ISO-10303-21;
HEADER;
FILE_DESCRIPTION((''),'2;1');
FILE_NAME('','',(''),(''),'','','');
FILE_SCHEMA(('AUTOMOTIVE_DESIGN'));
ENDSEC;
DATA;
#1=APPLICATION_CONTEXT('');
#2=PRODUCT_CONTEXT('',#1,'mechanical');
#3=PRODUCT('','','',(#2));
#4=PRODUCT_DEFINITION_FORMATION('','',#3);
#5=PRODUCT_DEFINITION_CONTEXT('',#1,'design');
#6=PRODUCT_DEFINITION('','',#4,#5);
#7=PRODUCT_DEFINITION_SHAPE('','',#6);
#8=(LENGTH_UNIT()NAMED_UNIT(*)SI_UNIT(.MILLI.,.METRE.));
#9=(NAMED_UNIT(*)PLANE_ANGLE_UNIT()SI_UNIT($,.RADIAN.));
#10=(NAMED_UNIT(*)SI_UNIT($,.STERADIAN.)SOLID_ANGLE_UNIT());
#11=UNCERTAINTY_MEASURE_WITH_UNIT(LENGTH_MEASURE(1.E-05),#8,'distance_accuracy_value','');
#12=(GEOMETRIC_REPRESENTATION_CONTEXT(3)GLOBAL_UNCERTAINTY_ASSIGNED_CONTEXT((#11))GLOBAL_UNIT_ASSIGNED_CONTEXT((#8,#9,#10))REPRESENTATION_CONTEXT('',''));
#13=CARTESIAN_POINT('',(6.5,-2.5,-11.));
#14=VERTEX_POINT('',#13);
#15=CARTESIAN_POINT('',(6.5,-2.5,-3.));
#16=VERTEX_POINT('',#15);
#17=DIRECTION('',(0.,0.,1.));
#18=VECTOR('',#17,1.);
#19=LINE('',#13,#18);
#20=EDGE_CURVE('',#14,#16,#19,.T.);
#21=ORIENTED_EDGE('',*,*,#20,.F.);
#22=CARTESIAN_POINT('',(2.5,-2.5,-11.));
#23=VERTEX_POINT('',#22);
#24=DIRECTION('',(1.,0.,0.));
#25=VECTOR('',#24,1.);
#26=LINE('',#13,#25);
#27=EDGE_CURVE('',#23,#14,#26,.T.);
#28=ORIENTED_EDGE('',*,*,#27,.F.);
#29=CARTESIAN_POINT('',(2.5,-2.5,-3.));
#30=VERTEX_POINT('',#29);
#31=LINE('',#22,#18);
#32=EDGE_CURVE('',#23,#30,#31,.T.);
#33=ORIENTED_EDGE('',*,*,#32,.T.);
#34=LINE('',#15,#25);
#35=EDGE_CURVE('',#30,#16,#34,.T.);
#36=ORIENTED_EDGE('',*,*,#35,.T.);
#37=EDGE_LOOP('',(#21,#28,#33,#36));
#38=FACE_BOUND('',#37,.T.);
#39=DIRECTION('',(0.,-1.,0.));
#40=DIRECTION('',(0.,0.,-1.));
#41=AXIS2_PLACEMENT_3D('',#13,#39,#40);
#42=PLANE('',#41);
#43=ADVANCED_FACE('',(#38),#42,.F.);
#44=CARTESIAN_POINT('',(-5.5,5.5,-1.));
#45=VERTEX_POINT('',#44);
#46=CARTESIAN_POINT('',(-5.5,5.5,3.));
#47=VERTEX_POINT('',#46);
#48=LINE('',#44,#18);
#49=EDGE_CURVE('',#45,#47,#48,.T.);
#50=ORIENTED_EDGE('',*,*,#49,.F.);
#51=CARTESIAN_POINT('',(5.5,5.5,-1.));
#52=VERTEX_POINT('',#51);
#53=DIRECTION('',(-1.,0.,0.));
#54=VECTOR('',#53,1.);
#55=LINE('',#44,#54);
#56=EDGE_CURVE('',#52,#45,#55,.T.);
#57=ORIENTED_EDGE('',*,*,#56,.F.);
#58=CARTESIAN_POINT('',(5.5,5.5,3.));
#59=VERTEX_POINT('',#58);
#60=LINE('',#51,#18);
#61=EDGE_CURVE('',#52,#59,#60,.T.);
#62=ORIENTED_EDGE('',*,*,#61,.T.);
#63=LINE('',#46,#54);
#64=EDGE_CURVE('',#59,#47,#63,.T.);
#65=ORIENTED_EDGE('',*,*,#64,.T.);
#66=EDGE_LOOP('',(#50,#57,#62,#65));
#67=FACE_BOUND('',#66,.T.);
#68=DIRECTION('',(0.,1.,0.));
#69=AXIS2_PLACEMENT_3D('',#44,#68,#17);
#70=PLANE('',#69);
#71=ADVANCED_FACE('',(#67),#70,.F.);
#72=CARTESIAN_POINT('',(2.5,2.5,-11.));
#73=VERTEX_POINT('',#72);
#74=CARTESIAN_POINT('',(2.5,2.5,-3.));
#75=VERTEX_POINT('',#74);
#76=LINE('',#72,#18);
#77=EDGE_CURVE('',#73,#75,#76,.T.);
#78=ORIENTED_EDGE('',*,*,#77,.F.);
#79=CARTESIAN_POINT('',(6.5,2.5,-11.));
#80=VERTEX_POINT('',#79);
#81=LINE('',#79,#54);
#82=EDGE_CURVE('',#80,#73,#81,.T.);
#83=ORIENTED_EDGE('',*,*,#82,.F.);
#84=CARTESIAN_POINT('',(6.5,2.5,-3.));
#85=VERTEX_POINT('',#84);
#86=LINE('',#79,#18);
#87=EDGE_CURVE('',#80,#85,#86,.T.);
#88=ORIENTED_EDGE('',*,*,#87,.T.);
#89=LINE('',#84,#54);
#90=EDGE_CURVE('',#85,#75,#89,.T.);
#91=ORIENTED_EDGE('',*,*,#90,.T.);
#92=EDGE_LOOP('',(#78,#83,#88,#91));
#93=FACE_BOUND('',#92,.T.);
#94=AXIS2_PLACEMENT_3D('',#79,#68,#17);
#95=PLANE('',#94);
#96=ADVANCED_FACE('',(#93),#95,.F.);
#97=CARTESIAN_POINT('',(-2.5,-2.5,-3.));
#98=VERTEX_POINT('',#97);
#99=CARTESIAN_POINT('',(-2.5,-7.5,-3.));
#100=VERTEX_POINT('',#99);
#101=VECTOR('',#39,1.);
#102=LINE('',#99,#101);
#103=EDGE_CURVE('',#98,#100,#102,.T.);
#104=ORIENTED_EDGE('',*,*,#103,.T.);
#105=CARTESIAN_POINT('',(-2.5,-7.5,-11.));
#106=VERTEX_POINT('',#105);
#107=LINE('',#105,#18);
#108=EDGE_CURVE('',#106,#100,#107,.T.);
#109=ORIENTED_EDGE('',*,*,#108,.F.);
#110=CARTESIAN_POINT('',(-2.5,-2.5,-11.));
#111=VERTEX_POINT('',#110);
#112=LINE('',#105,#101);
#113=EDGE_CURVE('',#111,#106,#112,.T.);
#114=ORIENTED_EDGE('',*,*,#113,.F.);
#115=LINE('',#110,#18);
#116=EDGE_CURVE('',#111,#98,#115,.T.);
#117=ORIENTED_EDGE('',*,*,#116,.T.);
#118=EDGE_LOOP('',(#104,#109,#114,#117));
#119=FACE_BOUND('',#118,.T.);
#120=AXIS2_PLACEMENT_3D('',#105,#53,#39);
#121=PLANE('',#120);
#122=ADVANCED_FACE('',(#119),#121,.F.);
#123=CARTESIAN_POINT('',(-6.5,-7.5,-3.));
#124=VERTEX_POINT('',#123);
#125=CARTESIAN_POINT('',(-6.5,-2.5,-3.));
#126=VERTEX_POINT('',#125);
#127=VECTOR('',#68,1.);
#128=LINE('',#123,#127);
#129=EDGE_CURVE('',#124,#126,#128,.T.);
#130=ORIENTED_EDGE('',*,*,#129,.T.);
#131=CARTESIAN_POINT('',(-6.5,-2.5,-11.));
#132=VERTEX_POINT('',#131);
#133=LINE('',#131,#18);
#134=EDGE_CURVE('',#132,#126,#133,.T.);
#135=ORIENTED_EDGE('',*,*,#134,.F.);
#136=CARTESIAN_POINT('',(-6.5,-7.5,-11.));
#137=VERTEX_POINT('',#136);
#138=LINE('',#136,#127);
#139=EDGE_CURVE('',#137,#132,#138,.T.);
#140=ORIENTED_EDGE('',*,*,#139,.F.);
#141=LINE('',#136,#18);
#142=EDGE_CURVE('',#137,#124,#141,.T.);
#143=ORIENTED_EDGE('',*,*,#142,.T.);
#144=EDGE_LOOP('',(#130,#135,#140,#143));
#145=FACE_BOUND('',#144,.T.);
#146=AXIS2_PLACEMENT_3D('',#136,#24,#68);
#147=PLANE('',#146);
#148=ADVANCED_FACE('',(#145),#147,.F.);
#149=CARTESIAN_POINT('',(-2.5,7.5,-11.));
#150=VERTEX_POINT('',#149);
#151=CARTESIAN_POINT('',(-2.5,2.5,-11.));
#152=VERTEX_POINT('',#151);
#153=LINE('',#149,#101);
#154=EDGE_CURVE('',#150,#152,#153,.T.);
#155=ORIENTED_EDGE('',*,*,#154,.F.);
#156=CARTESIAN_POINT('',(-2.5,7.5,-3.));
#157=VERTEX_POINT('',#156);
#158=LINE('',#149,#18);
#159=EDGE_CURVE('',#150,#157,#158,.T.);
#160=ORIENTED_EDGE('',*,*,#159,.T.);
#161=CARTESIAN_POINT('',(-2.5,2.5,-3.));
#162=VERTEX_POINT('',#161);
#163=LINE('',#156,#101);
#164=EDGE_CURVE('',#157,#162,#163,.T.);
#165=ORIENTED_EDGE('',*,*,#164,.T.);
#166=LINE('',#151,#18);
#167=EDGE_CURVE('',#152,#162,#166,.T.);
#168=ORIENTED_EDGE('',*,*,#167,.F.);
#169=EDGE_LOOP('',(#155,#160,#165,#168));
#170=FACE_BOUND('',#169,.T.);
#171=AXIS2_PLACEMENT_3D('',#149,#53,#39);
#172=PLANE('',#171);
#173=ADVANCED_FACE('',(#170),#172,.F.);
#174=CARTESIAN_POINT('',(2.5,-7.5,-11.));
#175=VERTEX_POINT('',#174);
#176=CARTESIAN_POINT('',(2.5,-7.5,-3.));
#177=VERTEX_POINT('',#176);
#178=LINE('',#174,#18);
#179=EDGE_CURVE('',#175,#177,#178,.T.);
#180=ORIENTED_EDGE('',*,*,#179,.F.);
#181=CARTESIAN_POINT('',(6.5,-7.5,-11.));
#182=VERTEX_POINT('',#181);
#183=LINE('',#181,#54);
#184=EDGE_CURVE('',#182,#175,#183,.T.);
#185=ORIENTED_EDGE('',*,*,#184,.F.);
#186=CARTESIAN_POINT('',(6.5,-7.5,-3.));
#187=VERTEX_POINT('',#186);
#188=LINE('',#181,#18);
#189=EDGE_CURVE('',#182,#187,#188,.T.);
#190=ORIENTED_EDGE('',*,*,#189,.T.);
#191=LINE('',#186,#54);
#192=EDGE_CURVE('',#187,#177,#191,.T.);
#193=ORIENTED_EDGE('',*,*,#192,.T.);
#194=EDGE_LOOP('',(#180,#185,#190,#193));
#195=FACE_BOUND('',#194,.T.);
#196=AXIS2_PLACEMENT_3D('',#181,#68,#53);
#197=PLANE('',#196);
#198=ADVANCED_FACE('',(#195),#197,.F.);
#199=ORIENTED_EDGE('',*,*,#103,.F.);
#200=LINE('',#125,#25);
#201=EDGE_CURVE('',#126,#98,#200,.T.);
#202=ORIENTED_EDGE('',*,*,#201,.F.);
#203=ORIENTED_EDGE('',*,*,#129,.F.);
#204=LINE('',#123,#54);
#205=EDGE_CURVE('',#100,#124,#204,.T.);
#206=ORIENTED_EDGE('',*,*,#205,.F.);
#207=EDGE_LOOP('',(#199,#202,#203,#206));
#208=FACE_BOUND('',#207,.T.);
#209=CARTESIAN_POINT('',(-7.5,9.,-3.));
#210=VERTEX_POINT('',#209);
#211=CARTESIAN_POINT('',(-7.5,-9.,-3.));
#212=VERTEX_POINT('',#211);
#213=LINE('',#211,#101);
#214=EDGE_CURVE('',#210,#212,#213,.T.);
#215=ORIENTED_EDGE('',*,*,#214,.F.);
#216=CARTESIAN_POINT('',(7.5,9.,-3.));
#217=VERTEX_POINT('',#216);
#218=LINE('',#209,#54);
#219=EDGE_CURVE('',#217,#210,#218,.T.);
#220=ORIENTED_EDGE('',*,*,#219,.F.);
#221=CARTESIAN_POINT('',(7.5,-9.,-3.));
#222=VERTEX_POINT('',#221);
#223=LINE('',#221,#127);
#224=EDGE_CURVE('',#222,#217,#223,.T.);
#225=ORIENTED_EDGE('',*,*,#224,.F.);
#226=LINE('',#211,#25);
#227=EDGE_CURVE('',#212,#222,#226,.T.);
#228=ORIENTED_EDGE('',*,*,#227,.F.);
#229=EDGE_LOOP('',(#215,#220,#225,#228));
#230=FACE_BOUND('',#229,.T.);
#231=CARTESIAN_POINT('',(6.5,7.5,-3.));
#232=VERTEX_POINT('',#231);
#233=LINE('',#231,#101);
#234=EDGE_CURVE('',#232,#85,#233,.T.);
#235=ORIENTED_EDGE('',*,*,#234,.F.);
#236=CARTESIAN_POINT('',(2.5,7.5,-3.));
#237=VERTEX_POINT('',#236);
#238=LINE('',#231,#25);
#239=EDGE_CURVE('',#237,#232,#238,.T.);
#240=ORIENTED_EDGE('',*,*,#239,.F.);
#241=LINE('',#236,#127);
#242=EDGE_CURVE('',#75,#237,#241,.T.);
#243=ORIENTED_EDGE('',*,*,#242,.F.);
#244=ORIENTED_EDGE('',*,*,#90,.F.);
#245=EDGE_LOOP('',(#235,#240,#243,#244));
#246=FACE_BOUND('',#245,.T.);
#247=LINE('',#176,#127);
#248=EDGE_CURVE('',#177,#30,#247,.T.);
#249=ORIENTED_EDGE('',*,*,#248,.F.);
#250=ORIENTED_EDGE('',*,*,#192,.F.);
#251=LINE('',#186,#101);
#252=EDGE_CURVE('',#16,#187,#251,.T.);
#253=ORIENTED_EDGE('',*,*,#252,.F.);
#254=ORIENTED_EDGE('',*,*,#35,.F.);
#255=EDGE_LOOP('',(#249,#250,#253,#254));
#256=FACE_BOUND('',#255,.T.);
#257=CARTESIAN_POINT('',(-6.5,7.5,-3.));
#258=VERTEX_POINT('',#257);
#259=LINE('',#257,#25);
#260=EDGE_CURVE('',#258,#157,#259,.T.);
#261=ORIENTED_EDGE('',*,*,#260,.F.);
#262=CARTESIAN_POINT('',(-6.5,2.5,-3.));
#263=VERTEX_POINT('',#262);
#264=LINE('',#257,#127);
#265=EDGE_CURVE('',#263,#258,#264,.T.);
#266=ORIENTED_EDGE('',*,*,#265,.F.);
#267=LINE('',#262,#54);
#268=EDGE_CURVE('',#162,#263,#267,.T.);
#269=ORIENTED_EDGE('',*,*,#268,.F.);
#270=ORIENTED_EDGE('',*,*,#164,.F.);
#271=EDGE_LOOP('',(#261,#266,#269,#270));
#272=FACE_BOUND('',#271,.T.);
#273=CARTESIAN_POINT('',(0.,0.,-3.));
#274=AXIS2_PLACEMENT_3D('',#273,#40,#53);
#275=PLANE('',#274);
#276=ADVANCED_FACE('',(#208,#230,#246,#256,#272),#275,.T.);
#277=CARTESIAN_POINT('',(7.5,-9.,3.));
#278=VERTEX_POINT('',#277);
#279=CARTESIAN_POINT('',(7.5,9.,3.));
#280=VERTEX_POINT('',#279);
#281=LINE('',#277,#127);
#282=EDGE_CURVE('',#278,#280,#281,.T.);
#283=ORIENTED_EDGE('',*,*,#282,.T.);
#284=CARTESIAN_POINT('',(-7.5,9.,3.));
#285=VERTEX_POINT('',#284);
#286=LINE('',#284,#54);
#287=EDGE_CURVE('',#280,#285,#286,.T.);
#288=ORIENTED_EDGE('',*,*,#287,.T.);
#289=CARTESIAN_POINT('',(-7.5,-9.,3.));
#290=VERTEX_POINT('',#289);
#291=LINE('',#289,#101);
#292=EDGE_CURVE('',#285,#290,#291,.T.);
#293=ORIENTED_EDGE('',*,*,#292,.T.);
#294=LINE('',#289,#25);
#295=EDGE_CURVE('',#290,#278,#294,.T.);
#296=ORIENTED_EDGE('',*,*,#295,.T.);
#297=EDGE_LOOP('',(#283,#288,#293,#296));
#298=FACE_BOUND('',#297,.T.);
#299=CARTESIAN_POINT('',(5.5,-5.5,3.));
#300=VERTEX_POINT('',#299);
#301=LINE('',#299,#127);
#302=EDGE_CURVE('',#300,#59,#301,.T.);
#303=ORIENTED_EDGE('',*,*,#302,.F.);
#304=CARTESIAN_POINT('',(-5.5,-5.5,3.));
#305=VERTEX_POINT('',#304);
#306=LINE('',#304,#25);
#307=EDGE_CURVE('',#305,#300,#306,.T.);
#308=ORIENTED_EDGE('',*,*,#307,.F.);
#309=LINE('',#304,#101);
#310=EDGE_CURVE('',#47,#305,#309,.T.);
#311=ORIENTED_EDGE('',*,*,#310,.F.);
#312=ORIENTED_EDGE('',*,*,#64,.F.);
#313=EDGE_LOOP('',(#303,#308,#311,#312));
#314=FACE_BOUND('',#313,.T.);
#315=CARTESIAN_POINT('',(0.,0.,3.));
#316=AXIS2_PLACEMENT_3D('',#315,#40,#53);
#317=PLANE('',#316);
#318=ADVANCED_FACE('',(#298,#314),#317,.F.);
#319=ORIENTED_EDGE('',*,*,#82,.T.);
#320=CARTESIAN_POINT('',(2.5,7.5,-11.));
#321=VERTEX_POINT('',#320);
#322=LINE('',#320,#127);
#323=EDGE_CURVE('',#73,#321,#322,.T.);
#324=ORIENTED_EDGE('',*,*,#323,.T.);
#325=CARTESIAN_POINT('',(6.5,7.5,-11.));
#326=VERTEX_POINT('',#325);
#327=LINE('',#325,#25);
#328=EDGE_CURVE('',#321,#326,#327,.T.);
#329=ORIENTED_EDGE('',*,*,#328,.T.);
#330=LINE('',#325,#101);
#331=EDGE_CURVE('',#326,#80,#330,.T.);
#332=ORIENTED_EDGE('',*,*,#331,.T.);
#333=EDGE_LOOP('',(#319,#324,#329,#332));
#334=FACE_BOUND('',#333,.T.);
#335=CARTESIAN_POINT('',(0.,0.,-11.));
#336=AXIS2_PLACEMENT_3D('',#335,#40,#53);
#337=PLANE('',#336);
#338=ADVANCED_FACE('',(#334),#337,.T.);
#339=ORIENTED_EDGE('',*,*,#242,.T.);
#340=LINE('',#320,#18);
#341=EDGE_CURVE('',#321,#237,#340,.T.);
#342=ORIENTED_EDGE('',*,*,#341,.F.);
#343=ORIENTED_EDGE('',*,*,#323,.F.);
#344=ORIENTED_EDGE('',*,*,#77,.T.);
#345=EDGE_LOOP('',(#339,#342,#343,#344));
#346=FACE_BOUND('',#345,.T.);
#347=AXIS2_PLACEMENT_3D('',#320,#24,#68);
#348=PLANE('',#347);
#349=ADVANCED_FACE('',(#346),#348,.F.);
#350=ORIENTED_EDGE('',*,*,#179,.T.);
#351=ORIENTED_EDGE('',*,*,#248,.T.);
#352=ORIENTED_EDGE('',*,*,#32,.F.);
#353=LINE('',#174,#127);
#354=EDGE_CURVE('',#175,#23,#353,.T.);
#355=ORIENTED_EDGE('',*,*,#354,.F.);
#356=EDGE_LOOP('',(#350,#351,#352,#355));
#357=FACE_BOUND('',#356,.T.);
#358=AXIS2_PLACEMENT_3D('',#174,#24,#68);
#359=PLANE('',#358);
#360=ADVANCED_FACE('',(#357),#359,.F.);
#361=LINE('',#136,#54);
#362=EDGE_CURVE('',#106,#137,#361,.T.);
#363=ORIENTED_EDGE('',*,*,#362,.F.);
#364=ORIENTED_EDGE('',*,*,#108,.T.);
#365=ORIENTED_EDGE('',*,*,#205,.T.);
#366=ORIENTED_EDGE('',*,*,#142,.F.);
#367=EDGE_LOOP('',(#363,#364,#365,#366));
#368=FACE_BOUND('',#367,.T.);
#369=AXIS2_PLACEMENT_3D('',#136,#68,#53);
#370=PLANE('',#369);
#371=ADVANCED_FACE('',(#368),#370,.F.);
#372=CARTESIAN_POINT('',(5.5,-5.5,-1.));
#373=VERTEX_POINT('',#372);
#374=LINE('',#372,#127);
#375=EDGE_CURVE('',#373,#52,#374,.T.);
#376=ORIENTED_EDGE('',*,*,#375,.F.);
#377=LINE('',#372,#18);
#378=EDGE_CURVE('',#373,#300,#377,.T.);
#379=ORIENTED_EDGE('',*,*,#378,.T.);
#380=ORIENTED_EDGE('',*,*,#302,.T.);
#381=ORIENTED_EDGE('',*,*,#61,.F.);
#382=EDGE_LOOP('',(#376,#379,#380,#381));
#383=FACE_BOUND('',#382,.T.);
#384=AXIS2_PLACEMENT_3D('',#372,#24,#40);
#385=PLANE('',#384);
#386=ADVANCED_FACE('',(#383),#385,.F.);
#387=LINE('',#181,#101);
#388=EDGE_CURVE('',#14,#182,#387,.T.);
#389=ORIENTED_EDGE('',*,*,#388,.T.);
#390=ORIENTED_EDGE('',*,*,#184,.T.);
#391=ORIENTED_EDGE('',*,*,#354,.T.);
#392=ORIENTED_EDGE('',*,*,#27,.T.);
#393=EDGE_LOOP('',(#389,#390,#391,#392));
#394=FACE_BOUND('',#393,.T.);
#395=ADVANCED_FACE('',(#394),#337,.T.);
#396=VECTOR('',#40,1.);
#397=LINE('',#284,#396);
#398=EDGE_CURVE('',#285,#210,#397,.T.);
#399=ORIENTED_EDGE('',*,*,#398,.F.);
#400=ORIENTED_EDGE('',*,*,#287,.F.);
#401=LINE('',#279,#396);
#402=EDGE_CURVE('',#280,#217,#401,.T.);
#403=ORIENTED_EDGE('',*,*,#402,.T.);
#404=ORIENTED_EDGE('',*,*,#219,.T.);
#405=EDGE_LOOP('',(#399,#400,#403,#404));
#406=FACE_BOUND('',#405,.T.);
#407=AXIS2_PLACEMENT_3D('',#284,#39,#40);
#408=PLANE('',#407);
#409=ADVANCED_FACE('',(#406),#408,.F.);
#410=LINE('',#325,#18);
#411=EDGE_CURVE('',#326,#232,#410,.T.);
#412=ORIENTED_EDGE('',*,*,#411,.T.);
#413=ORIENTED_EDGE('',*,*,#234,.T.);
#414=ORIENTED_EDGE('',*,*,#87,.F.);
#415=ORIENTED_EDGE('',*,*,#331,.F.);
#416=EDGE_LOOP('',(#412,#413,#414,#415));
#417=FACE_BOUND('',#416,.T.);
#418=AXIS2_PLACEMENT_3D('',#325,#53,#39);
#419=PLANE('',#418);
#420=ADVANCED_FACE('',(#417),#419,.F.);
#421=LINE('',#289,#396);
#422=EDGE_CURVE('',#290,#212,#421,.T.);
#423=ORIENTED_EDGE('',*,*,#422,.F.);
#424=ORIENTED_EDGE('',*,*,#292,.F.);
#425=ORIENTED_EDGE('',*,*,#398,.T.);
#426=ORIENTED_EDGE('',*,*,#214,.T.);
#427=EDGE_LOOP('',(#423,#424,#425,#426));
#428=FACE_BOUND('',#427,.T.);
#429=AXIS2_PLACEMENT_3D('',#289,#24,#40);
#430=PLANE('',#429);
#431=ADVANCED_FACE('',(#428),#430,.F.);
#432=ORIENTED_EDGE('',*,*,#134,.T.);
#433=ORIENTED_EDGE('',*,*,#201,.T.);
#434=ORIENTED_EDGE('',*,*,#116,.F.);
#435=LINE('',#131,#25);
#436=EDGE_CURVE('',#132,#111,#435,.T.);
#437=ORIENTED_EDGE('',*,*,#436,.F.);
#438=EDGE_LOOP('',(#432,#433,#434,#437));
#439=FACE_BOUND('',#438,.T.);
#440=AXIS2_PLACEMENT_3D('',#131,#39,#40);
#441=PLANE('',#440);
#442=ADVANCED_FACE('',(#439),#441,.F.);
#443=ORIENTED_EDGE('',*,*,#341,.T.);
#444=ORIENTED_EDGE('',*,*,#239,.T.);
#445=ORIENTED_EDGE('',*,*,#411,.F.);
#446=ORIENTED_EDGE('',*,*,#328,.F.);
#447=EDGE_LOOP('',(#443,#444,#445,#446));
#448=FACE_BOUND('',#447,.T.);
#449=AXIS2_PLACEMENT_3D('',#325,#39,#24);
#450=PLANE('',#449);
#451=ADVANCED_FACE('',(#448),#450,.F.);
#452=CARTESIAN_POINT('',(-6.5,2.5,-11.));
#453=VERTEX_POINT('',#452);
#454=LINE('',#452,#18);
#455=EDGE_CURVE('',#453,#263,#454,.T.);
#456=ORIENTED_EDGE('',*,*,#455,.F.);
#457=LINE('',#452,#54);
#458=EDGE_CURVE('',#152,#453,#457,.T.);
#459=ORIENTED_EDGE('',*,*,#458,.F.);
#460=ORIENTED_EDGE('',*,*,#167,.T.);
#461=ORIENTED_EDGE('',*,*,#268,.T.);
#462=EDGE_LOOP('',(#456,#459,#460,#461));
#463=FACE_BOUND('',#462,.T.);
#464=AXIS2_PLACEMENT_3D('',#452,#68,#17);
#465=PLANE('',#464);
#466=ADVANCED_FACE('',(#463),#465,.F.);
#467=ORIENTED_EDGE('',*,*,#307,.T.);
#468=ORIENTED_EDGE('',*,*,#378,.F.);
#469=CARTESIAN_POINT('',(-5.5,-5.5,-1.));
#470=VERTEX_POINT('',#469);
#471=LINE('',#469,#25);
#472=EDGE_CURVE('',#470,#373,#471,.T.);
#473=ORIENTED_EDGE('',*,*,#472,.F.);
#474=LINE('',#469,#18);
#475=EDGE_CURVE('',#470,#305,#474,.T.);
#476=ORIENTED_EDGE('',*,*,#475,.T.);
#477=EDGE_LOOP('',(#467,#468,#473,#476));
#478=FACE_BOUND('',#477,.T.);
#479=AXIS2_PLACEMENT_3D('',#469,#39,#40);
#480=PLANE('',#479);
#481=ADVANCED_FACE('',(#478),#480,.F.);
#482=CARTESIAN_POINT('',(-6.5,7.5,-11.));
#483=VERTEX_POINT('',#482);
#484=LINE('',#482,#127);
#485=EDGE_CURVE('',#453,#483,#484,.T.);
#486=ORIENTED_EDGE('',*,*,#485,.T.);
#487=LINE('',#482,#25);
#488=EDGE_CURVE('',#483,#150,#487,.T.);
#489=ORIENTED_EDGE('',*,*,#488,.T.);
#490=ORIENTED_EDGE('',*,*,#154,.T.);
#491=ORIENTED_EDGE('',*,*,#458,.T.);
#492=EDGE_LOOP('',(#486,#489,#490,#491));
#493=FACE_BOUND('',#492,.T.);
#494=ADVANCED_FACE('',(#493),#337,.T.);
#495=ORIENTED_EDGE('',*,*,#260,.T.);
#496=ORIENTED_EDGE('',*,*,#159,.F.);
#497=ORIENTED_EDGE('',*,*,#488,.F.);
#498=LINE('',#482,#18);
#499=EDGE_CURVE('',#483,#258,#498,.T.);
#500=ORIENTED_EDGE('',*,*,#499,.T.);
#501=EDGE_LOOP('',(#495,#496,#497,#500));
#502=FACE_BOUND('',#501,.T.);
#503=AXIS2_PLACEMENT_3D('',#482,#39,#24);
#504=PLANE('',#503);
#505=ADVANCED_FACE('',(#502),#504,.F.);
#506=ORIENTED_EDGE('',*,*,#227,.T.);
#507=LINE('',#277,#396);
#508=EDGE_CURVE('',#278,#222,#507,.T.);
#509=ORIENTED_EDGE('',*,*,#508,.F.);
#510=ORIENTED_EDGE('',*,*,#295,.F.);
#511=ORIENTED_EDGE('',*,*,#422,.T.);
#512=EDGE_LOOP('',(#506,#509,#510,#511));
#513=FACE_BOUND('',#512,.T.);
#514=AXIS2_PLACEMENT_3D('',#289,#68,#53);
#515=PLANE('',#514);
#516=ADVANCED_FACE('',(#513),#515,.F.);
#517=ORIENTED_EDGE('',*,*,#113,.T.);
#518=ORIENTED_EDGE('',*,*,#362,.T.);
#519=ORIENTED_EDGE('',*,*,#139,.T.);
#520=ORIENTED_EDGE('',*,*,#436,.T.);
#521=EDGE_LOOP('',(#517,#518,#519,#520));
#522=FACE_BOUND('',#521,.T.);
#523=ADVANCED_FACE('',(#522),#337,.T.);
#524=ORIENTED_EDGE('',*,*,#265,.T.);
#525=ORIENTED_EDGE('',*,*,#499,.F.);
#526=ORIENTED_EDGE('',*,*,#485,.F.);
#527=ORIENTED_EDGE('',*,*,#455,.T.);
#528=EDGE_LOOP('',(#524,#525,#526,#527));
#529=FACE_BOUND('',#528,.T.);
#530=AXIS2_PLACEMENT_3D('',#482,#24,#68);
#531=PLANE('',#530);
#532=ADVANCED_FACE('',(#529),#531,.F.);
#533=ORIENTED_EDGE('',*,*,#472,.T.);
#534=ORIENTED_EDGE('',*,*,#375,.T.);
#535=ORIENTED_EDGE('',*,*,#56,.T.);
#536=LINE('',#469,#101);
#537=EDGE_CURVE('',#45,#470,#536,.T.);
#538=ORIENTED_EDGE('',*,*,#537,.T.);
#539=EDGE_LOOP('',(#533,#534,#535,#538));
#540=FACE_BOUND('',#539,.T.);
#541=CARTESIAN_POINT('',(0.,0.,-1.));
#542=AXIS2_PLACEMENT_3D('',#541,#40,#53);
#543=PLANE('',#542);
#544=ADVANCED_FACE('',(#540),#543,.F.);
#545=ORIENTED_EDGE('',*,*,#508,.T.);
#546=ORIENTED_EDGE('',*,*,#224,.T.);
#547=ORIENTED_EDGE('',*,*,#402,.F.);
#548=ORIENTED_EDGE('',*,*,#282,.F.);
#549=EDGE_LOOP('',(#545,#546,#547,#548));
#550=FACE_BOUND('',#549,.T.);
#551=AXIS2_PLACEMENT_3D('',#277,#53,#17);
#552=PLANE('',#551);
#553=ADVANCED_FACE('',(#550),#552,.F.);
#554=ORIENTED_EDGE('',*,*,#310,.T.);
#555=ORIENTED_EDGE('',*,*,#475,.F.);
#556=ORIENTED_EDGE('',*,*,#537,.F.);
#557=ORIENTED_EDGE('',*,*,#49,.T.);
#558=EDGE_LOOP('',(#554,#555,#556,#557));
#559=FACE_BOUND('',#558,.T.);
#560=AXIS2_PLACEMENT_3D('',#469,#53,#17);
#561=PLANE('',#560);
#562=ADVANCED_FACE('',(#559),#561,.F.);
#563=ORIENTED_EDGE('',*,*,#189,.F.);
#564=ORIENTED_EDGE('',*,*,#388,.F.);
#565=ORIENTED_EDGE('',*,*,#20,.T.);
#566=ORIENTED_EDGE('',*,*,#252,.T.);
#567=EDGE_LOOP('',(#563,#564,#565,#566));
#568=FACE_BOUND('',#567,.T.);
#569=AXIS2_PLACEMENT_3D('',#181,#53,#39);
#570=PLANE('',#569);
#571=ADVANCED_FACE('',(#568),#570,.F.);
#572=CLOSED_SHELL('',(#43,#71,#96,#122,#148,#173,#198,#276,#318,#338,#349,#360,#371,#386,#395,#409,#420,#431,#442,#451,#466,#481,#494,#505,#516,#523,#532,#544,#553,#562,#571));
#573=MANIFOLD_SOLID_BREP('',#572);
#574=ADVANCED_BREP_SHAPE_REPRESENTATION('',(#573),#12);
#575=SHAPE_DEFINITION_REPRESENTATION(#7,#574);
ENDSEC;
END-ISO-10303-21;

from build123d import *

# Parameters (mm, degrees)
SKETCH1_W           = 15
SKETCH1_H           = 18
BOSS_EXTRUDE1_DEPTH = 3
SKETCH2_W           = 11
SKETCH2_H           = 11
CUT_EXTRUDE1_DEPTH  = 4
SKETCH4_W           = 4
SKETCH4_H           = 5
BOSS_EXTRUDE2_DEPTH = 8


with BuildPart() as part:
    # Sketch1 → Boss-Extrude1 (new, symmetric)
    with BuildSketch(Plane.XY):
        Rectangle(SKETCH1_W, SKETCH1_H)
    extrude(amount=BOSS_EXTRUDE1_DEPTH, both=True)

    # Sketch2 → Cut-Extrude1 (cut)
    with BuildSketch(Plane.XY.offset(3)):
        Rectangle(SKETCH2_W, SKETCH2_H)
    extrude(amount=-CUT_EXTRUDE1_DEPTH, mode=Mode.SUBTRACT)

    # Sketch4 → Boss-Extrude2 (add)
    with BuildSketch(Plane(origin=(0, 0, -3), x_dir=(-1, 0, 0), z_dir=(0, 0, -1))):
        with Locations((-4.5, 5)):
            Rectangle(SKETCH4_W, SKETCH4_H)
        with Locations((4.5, 5)):
            Rectangle(SKETCH4_W, SKETCH4_H)
        with Locations((4.5, -5)):
            Rectangle(SKETCH4_W, SKETCH4_H)
        with Locations((-4.5, -5)):
            Rectangle(SKETCH4_W, SKETCH4_H)
    extrude(amount=BOSS_EXTRUDE2_DEPTH)


solid = part.part
